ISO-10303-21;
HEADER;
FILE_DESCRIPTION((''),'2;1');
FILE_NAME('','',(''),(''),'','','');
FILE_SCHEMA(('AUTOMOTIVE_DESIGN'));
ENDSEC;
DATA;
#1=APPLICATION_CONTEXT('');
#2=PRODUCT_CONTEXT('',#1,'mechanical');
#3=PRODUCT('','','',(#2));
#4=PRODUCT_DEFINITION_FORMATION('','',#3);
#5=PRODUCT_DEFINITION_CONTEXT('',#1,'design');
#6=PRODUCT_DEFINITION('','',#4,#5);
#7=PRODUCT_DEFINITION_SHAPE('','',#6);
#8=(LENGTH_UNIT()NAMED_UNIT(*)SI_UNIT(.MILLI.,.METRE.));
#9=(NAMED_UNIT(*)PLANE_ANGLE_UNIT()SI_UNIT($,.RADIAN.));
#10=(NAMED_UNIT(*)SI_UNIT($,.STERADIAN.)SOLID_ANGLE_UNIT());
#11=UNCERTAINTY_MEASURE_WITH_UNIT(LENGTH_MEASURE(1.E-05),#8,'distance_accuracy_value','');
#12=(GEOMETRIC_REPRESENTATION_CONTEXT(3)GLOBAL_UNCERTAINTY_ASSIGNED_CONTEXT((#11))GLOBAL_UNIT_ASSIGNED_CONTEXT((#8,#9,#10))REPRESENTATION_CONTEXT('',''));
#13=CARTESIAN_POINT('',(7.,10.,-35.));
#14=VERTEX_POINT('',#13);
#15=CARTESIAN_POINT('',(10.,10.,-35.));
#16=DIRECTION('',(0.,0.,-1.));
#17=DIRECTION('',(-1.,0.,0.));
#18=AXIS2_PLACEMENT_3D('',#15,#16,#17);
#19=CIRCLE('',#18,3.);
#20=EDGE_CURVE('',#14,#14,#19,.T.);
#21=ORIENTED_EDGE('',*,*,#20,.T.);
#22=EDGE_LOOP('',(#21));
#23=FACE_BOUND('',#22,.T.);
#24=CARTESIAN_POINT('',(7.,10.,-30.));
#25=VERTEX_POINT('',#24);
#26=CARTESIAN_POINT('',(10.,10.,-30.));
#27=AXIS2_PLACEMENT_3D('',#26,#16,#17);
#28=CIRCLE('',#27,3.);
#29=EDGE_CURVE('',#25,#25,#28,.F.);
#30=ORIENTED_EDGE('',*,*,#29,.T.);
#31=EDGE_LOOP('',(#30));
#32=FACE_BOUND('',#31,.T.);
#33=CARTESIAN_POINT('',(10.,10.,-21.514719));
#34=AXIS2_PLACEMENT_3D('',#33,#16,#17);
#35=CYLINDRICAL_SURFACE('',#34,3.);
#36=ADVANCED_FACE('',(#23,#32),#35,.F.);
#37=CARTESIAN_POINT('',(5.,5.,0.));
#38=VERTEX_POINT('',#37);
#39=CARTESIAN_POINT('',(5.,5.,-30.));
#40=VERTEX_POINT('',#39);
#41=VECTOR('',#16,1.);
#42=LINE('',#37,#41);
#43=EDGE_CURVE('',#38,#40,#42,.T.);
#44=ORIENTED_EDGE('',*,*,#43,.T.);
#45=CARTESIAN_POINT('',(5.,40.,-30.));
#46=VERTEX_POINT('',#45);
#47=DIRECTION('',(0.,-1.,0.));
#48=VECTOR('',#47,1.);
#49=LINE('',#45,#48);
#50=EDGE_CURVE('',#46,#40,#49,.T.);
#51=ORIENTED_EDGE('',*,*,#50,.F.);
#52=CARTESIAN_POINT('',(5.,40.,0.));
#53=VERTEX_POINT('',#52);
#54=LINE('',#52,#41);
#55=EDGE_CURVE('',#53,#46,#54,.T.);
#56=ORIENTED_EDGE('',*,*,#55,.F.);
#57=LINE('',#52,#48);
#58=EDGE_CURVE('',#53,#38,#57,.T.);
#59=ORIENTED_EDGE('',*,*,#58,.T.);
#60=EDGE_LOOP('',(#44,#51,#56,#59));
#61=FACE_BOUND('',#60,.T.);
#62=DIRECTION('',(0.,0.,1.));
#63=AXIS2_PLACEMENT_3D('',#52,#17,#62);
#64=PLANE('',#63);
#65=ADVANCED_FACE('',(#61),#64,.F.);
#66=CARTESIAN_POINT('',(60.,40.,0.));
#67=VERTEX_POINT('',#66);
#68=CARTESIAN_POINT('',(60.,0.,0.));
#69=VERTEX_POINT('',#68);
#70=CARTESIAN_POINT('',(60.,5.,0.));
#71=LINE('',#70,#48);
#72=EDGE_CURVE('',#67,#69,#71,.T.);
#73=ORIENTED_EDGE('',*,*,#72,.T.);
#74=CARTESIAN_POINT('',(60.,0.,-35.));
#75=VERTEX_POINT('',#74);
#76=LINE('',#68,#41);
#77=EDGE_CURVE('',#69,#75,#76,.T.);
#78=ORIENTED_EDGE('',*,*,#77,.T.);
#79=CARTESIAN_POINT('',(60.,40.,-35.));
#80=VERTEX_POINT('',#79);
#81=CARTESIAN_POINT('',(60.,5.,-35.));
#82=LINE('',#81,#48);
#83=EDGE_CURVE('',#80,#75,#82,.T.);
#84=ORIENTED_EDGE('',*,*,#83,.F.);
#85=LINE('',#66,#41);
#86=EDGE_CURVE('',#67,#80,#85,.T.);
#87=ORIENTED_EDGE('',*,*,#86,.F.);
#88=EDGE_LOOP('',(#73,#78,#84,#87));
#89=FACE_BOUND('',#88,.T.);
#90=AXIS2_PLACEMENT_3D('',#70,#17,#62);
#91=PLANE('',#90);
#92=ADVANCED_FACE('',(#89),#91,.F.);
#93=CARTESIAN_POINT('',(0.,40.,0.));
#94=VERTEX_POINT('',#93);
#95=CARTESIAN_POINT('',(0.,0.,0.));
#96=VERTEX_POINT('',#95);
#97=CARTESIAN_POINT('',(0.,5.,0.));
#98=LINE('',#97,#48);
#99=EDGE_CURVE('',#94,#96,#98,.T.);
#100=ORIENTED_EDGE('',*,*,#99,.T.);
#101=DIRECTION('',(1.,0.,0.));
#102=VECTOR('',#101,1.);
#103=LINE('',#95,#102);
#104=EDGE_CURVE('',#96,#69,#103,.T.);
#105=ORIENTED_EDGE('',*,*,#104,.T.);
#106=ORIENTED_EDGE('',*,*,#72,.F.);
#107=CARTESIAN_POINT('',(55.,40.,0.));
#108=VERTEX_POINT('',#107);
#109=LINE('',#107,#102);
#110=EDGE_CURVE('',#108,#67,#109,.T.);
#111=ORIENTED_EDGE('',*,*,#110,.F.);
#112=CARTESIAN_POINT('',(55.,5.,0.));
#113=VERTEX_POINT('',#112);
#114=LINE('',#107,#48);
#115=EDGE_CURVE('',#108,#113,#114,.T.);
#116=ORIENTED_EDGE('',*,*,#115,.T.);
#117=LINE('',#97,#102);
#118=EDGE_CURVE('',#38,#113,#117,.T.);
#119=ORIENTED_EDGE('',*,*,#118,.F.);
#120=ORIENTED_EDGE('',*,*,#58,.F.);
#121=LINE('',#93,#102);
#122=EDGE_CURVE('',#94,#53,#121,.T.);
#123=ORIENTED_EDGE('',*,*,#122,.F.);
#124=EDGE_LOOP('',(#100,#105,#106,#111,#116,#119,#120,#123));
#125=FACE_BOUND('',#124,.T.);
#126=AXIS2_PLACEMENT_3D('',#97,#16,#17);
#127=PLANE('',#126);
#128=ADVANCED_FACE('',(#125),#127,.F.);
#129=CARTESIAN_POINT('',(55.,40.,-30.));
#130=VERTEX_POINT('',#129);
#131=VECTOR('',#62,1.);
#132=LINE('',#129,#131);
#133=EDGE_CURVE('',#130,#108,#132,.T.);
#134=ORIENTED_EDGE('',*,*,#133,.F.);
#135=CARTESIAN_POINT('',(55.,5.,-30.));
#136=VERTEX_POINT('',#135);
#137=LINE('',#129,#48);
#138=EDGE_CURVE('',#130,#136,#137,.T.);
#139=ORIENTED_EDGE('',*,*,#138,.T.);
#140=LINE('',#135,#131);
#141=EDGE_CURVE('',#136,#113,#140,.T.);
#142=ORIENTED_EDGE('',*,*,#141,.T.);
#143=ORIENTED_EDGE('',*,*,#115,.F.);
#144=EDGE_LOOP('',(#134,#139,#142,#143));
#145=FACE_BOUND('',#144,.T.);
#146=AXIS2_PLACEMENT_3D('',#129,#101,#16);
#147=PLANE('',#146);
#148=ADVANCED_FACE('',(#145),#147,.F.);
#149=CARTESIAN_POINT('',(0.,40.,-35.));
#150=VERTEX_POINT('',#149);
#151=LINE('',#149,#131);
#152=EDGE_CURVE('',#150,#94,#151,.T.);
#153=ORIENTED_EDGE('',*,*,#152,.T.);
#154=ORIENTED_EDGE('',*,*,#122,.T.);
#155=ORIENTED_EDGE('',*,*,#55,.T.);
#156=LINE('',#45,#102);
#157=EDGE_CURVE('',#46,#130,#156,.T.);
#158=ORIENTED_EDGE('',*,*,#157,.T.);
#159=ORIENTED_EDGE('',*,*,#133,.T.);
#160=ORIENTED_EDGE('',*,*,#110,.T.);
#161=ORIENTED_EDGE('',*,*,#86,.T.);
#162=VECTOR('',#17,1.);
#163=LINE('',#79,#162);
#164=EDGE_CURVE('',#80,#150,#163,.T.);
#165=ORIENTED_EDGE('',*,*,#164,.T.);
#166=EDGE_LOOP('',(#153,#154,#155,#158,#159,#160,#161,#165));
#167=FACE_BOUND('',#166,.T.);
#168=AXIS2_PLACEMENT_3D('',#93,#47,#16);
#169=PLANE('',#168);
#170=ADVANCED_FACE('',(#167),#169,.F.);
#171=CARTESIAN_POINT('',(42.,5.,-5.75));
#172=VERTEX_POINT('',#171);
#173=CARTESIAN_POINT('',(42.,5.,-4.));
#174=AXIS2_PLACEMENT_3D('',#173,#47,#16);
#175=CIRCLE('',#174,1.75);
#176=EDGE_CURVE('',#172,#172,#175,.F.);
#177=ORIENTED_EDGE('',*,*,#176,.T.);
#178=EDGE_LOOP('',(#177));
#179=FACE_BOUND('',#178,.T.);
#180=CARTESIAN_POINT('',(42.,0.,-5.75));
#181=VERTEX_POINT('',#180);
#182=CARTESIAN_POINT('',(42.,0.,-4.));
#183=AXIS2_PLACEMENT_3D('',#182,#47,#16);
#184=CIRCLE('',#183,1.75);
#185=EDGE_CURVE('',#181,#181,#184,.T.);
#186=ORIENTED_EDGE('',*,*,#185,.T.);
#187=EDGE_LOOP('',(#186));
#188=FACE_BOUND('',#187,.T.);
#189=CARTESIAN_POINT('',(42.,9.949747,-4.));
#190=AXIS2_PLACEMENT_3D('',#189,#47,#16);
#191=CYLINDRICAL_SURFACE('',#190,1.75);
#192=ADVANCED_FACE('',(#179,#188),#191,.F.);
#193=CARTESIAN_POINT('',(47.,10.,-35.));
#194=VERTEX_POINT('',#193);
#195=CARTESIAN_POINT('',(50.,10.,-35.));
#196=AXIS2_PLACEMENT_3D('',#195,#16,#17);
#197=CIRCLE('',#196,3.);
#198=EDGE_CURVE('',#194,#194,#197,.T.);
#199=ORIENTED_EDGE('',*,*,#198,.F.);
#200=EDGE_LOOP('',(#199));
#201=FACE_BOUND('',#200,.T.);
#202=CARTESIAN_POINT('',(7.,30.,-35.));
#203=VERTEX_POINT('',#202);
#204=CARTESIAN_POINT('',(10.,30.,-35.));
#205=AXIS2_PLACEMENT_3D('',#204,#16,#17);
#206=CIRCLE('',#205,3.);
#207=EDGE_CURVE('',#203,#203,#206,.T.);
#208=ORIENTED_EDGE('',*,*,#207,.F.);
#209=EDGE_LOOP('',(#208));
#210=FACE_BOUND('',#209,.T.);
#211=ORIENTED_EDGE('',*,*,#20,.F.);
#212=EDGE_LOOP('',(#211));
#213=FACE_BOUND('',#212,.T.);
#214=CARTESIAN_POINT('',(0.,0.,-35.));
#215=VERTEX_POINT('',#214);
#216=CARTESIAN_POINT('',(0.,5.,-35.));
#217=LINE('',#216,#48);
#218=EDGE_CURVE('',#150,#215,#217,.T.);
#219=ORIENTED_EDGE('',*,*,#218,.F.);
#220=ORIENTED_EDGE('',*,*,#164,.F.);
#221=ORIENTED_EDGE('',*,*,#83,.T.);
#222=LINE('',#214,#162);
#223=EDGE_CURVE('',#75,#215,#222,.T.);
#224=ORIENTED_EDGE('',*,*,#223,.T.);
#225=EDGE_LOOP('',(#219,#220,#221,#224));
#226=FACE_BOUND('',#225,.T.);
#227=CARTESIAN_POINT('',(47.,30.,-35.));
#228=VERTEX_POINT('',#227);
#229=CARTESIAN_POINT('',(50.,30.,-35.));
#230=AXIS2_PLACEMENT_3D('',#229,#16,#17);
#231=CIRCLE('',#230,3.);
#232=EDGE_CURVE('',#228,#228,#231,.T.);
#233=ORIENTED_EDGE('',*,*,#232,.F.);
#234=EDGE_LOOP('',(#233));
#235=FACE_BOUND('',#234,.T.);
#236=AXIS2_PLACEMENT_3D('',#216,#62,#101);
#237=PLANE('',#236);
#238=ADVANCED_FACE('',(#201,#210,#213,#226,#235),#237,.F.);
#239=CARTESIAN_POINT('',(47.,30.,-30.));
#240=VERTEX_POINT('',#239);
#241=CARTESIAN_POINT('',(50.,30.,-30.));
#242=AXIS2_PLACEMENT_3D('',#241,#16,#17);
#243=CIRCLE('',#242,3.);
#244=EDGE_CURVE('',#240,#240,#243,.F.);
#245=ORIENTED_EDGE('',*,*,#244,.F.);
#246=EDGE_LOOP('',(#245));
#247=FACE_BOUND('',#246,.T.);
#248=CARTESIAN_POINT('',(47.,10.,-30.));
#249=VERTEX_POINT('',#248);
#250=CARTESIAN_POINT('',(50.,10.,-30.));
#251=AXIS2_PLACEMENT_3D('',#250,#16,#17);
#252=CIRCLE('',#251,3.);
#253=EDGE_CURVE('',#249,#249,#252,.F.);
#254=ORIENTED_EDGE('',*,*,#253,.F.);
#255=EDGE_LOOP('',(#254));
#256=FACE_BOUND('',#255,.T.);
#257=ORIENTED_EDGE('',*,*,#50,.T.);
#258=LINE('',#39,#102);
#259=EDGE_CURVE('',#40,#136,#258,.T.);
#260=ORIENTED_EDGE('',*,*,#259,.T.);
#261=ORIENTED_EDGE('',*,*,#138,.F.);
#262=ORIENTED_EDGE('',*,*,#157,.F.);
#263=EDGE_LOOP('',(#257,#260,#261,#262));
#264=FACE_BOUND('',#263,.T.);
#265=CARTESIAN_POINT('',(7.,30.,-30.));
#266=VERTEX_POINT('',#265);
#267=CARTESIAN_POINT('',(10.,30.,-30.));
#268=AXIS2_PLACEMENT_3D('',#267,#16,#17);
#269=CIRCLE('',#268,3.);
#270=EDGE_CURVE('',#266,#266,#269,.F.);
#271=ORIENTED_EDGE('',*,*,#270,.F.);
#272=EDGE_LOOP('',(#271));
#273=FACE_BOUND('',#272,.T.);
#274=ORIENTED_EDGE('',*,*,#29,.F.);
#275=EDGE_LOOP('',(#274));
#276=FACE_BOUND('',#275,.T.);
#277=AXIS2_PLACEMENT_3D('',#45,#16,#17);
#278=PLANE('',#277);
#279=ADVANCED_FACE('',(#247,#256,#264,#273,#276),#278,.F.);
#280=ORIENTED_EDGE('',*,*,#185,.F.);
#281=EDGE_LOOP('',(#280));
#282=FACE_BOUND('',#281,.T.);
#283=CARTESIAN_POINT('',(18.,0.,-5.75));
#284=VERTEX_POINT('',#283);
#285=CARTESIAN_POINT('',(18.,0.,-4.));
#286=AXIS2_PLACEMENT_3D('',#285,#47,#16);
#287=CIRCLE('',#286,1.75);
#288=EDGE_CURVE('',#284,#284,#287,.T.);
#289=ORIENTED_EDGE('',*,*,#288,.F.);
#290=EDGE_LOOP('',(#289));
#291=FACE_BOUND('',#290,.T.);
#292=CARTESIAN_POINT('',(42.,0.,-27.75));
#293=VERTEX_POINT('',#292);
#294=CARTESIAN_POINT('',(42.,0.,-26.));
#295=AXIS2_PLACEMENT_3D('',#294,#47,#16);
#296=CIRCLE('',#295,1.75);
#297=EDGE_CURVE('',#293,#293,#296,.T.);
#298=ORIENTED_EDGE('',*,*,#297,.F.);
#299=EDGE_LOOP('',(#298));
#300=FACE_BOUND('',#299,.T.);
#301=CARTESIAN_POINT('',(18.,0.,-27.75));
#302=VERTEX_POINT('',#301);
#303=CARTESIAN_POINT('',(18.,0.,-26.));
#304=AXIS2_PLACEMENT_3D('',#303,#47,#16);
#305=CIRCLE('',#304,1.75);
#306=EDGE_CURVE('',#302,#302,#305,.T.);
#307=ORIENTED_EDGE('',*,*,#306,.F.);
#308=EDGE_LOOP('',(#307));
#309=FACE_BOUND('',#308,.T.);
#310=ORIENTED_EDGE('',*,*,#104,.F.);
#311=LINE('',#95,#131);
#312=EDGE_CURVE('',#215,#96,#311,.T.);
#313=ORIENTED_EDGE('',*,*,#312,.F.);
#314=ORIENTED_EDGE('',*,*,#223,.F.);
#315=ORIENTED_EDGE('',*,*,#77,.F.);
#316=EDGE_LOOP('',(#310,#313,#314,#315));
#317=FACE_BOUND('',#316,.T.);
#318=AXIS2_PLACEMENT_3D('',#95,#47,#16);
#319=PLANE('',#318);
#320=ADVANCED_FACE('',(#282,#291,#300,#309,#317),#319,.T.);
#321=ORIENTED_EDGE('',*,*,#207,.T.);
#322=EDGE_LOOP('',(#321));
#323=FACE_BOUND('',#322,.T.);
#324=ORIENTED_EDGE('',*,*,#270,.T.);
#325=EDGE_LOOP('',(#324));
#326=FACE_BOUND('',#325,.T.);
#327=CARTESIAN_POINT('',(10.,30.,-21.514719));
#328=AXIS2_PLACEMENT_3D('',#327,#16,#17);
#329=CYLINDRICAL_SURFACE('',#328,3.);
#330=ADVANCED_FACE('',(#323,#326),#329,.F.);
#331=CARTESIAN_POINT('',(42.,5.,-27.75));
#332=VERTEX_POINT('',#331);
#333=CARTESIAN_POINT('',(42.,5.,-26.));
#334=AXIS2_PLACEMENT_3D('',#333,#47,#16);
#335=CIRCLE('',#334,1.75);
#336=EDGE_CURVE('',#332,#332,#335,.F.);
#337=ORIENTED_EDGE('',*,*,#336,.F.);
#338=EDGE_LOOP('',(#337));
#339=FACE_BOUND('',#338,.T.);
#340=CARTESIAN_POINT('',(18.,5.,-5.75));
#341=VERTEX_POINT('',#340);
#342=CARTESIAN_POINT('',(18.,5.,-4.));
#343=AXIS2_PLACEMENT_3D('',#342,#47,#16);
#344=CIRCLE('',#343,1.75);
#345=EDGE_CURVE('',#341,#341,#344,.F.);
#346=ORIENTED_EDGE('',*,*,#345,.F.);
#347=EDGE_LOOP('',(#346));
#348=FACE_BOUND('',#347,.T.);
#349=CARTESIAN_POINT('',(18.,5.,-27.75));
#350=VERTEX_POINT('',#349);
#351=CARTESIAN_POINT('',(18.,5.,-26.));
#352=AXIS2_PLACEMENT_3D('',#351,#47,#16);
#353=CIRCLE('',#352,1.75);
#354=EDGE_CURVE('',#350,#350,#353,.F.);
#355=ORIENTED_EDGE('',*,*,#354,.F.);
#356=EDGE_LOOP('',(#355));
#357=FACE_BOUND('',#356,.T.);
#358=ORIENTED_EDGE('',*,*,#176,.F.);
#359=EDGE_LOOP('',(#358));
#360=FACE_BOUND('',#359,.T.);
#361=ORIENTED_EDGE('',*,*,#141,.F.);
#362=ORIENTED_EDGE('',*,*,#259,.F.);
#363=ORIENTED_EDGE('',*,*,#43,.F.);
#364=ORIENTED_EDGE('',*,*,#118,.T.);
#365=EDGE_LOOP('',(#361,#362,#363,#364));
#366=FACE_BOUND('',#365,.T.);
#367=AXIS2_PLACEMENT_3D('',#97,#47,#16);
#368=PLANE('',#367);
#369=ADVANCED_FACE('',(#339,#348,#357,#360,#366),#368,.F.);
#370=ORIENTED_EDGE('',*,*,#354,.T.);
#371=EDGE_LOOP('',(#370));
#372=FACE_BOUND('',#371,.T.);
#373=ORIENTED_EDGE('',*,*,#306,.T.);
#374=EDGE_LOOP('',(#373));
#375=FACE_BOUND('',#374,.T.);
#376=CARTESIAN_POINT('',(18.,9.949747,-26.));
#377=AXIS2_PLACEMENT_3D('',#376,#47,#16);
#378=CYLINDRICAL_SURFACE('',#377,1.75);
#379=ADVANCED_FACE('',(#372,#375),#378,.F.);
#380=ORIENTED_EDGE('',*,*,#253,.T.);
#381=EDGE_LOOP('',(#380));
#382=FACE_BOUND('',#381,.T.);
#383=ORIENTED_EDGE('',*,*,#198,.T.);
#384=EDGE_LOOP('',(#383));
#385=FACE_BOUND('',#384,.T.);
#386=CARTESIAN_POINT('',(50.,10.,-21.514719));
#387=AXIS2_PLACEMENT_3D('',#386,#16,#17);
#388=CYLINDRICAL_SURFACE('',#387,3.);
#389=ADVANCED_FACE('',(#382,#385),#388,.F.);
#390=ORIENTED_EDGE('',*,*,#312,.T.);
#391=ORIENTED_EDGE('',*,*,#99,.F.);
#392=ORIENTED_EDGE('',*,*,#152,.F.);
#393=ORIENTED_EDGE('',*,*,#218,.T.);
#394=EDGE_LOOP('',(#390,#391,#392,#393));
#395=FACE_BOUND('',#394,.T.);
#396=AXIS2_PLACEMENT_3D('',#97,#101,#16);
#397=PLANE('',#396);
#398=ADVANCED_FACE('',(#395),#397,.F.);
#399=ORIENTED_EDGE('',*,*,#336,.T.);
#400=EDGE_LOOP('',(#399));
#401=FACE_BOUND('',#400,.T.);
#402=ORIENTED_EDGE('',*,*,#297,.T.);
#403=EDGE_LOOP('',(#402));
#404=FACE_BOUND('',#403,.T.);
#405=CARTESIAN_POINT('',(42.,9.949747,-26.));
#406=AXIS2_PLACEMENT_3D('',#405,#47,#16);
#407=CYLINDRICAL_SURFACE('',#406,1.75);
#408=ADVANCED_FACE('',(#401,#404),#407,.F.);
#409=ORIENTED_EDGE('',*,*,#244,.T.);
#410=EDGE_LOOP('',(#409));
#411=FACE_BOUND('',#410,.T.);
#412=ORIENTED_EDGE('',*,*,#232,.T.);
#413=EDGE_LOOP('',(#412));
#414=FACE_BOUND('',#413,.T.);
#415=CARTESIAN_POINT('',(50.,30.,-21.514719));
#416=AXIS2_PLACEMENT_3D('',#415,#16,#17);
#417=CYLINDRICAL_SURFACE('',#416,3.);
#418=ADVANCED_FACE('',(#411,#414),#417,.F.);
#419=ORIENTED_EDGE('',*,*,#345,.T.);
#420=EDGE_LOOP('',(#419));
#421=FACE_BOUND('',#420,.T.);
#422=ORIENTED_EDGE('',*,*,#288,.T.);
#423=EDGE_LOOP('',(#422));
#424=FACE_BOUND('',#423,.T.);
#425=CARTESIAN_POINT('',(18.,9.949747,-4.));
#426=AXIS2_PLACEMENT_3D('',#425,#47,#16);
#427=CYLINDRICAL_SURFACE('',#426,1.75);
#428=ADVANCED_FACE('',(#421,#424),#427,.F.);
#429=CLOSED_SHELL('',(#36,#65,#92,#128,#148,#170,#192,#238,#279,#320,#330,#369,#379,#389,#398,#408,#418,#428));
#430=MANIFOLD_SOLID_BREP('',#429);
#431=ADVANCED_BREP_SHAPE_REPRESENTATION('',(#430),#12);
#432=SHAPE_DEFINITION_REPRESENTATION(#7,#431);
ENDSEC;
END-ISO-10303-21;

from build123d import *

# Parameters (mm, degrees)
SKETCH_1_W          = 60
SKETCH_1_H          = 35
EXTRUDE_1_DEPTH     = 5
EXTRUDE_2_DEPTH     = 35
SKETCH_4_R          = 3
CUT_EXTRUDE_1_DEPTH = 5
SKETCH_5_R          = 1.75
CUT_EXTRUDE_2_DEPTH = 5


with BuildPart() as part:
    # Эскиз1 → Бобышка-Вытянуть1 (new body)
    with BuildSketch(Plane(origin=(0, 0, 0), x_dir=(1, 0, 0), z_dir=(0, 1, 0))):
        with Locations((30, 17.5)):
            Rectangle(SKETCH_1_W, SKETCH_1_H)
    extrude(amount=EXTRUDE_1_DEPTH)

    # Эскиз3 → Бобышка-Вытянуть2 (add)
    with BuildSketch(Plane(origin=(0, 5, 0), x_dir=(1, 0, 0), z_dir=(0, 1, 0))):
        Polygon((5, 30), (55, 30), (55, 0), (60, 0), (60, 35), (0, 35), (0, 0), (5, 0), align=None)
    extrude(amount=EXTRUDE_2_DEPTH)

    # Эскиз4 → Вырез-Вытянуть1 (cut)
    with BuildSketch(Plane(origin=(0, 0, -35), x_dir=(-1, 0, 0), z_dir=(0, 0, -1))):
        with Locations((-10, 10)):
            Circle(SKETCH_4_R)
        with Locations((-10, 30)):
            Circle(SKETCH_4_R)
        with Locations((-50, 30)):
            Circle(SKETCH_4_R)
        with Locations((-50, 10)):
            Circle(SKETCH_4_R)
    extrude(amount=-CUT_EXTRUDE_1_DEPTH, mode=Mode.SUBTRACT)

    # Эскиз5 → Вырез-Вытянуть2 (cut)
    with BuildSketch(Plane(origin=(0, 0, 0), x_dir=(-1, 0, 0), z_dir=(0, -1, 0))):
        with Locations(Location((-42, 26, 0), (0, 0, 90))):
            Circle(SKETCH_5_R)
        with Locations(Location((-18, 26, 0), (0, 0, 90))):
            Circle(SKETCH_5_R)
        with Locations(Location((-18, 4, 0), (0, 0, 90))):
            Circle(SKETCH_5_R)
        with Locations(Location((-42, 4, 0), (0, 0, 90))):
            Circle(SKETCH_5_R)
    extrude(amount=-CUT_EXTRUDE_2_DEPTH, mode=Mode.SUBTRACT)


solid = part.part
